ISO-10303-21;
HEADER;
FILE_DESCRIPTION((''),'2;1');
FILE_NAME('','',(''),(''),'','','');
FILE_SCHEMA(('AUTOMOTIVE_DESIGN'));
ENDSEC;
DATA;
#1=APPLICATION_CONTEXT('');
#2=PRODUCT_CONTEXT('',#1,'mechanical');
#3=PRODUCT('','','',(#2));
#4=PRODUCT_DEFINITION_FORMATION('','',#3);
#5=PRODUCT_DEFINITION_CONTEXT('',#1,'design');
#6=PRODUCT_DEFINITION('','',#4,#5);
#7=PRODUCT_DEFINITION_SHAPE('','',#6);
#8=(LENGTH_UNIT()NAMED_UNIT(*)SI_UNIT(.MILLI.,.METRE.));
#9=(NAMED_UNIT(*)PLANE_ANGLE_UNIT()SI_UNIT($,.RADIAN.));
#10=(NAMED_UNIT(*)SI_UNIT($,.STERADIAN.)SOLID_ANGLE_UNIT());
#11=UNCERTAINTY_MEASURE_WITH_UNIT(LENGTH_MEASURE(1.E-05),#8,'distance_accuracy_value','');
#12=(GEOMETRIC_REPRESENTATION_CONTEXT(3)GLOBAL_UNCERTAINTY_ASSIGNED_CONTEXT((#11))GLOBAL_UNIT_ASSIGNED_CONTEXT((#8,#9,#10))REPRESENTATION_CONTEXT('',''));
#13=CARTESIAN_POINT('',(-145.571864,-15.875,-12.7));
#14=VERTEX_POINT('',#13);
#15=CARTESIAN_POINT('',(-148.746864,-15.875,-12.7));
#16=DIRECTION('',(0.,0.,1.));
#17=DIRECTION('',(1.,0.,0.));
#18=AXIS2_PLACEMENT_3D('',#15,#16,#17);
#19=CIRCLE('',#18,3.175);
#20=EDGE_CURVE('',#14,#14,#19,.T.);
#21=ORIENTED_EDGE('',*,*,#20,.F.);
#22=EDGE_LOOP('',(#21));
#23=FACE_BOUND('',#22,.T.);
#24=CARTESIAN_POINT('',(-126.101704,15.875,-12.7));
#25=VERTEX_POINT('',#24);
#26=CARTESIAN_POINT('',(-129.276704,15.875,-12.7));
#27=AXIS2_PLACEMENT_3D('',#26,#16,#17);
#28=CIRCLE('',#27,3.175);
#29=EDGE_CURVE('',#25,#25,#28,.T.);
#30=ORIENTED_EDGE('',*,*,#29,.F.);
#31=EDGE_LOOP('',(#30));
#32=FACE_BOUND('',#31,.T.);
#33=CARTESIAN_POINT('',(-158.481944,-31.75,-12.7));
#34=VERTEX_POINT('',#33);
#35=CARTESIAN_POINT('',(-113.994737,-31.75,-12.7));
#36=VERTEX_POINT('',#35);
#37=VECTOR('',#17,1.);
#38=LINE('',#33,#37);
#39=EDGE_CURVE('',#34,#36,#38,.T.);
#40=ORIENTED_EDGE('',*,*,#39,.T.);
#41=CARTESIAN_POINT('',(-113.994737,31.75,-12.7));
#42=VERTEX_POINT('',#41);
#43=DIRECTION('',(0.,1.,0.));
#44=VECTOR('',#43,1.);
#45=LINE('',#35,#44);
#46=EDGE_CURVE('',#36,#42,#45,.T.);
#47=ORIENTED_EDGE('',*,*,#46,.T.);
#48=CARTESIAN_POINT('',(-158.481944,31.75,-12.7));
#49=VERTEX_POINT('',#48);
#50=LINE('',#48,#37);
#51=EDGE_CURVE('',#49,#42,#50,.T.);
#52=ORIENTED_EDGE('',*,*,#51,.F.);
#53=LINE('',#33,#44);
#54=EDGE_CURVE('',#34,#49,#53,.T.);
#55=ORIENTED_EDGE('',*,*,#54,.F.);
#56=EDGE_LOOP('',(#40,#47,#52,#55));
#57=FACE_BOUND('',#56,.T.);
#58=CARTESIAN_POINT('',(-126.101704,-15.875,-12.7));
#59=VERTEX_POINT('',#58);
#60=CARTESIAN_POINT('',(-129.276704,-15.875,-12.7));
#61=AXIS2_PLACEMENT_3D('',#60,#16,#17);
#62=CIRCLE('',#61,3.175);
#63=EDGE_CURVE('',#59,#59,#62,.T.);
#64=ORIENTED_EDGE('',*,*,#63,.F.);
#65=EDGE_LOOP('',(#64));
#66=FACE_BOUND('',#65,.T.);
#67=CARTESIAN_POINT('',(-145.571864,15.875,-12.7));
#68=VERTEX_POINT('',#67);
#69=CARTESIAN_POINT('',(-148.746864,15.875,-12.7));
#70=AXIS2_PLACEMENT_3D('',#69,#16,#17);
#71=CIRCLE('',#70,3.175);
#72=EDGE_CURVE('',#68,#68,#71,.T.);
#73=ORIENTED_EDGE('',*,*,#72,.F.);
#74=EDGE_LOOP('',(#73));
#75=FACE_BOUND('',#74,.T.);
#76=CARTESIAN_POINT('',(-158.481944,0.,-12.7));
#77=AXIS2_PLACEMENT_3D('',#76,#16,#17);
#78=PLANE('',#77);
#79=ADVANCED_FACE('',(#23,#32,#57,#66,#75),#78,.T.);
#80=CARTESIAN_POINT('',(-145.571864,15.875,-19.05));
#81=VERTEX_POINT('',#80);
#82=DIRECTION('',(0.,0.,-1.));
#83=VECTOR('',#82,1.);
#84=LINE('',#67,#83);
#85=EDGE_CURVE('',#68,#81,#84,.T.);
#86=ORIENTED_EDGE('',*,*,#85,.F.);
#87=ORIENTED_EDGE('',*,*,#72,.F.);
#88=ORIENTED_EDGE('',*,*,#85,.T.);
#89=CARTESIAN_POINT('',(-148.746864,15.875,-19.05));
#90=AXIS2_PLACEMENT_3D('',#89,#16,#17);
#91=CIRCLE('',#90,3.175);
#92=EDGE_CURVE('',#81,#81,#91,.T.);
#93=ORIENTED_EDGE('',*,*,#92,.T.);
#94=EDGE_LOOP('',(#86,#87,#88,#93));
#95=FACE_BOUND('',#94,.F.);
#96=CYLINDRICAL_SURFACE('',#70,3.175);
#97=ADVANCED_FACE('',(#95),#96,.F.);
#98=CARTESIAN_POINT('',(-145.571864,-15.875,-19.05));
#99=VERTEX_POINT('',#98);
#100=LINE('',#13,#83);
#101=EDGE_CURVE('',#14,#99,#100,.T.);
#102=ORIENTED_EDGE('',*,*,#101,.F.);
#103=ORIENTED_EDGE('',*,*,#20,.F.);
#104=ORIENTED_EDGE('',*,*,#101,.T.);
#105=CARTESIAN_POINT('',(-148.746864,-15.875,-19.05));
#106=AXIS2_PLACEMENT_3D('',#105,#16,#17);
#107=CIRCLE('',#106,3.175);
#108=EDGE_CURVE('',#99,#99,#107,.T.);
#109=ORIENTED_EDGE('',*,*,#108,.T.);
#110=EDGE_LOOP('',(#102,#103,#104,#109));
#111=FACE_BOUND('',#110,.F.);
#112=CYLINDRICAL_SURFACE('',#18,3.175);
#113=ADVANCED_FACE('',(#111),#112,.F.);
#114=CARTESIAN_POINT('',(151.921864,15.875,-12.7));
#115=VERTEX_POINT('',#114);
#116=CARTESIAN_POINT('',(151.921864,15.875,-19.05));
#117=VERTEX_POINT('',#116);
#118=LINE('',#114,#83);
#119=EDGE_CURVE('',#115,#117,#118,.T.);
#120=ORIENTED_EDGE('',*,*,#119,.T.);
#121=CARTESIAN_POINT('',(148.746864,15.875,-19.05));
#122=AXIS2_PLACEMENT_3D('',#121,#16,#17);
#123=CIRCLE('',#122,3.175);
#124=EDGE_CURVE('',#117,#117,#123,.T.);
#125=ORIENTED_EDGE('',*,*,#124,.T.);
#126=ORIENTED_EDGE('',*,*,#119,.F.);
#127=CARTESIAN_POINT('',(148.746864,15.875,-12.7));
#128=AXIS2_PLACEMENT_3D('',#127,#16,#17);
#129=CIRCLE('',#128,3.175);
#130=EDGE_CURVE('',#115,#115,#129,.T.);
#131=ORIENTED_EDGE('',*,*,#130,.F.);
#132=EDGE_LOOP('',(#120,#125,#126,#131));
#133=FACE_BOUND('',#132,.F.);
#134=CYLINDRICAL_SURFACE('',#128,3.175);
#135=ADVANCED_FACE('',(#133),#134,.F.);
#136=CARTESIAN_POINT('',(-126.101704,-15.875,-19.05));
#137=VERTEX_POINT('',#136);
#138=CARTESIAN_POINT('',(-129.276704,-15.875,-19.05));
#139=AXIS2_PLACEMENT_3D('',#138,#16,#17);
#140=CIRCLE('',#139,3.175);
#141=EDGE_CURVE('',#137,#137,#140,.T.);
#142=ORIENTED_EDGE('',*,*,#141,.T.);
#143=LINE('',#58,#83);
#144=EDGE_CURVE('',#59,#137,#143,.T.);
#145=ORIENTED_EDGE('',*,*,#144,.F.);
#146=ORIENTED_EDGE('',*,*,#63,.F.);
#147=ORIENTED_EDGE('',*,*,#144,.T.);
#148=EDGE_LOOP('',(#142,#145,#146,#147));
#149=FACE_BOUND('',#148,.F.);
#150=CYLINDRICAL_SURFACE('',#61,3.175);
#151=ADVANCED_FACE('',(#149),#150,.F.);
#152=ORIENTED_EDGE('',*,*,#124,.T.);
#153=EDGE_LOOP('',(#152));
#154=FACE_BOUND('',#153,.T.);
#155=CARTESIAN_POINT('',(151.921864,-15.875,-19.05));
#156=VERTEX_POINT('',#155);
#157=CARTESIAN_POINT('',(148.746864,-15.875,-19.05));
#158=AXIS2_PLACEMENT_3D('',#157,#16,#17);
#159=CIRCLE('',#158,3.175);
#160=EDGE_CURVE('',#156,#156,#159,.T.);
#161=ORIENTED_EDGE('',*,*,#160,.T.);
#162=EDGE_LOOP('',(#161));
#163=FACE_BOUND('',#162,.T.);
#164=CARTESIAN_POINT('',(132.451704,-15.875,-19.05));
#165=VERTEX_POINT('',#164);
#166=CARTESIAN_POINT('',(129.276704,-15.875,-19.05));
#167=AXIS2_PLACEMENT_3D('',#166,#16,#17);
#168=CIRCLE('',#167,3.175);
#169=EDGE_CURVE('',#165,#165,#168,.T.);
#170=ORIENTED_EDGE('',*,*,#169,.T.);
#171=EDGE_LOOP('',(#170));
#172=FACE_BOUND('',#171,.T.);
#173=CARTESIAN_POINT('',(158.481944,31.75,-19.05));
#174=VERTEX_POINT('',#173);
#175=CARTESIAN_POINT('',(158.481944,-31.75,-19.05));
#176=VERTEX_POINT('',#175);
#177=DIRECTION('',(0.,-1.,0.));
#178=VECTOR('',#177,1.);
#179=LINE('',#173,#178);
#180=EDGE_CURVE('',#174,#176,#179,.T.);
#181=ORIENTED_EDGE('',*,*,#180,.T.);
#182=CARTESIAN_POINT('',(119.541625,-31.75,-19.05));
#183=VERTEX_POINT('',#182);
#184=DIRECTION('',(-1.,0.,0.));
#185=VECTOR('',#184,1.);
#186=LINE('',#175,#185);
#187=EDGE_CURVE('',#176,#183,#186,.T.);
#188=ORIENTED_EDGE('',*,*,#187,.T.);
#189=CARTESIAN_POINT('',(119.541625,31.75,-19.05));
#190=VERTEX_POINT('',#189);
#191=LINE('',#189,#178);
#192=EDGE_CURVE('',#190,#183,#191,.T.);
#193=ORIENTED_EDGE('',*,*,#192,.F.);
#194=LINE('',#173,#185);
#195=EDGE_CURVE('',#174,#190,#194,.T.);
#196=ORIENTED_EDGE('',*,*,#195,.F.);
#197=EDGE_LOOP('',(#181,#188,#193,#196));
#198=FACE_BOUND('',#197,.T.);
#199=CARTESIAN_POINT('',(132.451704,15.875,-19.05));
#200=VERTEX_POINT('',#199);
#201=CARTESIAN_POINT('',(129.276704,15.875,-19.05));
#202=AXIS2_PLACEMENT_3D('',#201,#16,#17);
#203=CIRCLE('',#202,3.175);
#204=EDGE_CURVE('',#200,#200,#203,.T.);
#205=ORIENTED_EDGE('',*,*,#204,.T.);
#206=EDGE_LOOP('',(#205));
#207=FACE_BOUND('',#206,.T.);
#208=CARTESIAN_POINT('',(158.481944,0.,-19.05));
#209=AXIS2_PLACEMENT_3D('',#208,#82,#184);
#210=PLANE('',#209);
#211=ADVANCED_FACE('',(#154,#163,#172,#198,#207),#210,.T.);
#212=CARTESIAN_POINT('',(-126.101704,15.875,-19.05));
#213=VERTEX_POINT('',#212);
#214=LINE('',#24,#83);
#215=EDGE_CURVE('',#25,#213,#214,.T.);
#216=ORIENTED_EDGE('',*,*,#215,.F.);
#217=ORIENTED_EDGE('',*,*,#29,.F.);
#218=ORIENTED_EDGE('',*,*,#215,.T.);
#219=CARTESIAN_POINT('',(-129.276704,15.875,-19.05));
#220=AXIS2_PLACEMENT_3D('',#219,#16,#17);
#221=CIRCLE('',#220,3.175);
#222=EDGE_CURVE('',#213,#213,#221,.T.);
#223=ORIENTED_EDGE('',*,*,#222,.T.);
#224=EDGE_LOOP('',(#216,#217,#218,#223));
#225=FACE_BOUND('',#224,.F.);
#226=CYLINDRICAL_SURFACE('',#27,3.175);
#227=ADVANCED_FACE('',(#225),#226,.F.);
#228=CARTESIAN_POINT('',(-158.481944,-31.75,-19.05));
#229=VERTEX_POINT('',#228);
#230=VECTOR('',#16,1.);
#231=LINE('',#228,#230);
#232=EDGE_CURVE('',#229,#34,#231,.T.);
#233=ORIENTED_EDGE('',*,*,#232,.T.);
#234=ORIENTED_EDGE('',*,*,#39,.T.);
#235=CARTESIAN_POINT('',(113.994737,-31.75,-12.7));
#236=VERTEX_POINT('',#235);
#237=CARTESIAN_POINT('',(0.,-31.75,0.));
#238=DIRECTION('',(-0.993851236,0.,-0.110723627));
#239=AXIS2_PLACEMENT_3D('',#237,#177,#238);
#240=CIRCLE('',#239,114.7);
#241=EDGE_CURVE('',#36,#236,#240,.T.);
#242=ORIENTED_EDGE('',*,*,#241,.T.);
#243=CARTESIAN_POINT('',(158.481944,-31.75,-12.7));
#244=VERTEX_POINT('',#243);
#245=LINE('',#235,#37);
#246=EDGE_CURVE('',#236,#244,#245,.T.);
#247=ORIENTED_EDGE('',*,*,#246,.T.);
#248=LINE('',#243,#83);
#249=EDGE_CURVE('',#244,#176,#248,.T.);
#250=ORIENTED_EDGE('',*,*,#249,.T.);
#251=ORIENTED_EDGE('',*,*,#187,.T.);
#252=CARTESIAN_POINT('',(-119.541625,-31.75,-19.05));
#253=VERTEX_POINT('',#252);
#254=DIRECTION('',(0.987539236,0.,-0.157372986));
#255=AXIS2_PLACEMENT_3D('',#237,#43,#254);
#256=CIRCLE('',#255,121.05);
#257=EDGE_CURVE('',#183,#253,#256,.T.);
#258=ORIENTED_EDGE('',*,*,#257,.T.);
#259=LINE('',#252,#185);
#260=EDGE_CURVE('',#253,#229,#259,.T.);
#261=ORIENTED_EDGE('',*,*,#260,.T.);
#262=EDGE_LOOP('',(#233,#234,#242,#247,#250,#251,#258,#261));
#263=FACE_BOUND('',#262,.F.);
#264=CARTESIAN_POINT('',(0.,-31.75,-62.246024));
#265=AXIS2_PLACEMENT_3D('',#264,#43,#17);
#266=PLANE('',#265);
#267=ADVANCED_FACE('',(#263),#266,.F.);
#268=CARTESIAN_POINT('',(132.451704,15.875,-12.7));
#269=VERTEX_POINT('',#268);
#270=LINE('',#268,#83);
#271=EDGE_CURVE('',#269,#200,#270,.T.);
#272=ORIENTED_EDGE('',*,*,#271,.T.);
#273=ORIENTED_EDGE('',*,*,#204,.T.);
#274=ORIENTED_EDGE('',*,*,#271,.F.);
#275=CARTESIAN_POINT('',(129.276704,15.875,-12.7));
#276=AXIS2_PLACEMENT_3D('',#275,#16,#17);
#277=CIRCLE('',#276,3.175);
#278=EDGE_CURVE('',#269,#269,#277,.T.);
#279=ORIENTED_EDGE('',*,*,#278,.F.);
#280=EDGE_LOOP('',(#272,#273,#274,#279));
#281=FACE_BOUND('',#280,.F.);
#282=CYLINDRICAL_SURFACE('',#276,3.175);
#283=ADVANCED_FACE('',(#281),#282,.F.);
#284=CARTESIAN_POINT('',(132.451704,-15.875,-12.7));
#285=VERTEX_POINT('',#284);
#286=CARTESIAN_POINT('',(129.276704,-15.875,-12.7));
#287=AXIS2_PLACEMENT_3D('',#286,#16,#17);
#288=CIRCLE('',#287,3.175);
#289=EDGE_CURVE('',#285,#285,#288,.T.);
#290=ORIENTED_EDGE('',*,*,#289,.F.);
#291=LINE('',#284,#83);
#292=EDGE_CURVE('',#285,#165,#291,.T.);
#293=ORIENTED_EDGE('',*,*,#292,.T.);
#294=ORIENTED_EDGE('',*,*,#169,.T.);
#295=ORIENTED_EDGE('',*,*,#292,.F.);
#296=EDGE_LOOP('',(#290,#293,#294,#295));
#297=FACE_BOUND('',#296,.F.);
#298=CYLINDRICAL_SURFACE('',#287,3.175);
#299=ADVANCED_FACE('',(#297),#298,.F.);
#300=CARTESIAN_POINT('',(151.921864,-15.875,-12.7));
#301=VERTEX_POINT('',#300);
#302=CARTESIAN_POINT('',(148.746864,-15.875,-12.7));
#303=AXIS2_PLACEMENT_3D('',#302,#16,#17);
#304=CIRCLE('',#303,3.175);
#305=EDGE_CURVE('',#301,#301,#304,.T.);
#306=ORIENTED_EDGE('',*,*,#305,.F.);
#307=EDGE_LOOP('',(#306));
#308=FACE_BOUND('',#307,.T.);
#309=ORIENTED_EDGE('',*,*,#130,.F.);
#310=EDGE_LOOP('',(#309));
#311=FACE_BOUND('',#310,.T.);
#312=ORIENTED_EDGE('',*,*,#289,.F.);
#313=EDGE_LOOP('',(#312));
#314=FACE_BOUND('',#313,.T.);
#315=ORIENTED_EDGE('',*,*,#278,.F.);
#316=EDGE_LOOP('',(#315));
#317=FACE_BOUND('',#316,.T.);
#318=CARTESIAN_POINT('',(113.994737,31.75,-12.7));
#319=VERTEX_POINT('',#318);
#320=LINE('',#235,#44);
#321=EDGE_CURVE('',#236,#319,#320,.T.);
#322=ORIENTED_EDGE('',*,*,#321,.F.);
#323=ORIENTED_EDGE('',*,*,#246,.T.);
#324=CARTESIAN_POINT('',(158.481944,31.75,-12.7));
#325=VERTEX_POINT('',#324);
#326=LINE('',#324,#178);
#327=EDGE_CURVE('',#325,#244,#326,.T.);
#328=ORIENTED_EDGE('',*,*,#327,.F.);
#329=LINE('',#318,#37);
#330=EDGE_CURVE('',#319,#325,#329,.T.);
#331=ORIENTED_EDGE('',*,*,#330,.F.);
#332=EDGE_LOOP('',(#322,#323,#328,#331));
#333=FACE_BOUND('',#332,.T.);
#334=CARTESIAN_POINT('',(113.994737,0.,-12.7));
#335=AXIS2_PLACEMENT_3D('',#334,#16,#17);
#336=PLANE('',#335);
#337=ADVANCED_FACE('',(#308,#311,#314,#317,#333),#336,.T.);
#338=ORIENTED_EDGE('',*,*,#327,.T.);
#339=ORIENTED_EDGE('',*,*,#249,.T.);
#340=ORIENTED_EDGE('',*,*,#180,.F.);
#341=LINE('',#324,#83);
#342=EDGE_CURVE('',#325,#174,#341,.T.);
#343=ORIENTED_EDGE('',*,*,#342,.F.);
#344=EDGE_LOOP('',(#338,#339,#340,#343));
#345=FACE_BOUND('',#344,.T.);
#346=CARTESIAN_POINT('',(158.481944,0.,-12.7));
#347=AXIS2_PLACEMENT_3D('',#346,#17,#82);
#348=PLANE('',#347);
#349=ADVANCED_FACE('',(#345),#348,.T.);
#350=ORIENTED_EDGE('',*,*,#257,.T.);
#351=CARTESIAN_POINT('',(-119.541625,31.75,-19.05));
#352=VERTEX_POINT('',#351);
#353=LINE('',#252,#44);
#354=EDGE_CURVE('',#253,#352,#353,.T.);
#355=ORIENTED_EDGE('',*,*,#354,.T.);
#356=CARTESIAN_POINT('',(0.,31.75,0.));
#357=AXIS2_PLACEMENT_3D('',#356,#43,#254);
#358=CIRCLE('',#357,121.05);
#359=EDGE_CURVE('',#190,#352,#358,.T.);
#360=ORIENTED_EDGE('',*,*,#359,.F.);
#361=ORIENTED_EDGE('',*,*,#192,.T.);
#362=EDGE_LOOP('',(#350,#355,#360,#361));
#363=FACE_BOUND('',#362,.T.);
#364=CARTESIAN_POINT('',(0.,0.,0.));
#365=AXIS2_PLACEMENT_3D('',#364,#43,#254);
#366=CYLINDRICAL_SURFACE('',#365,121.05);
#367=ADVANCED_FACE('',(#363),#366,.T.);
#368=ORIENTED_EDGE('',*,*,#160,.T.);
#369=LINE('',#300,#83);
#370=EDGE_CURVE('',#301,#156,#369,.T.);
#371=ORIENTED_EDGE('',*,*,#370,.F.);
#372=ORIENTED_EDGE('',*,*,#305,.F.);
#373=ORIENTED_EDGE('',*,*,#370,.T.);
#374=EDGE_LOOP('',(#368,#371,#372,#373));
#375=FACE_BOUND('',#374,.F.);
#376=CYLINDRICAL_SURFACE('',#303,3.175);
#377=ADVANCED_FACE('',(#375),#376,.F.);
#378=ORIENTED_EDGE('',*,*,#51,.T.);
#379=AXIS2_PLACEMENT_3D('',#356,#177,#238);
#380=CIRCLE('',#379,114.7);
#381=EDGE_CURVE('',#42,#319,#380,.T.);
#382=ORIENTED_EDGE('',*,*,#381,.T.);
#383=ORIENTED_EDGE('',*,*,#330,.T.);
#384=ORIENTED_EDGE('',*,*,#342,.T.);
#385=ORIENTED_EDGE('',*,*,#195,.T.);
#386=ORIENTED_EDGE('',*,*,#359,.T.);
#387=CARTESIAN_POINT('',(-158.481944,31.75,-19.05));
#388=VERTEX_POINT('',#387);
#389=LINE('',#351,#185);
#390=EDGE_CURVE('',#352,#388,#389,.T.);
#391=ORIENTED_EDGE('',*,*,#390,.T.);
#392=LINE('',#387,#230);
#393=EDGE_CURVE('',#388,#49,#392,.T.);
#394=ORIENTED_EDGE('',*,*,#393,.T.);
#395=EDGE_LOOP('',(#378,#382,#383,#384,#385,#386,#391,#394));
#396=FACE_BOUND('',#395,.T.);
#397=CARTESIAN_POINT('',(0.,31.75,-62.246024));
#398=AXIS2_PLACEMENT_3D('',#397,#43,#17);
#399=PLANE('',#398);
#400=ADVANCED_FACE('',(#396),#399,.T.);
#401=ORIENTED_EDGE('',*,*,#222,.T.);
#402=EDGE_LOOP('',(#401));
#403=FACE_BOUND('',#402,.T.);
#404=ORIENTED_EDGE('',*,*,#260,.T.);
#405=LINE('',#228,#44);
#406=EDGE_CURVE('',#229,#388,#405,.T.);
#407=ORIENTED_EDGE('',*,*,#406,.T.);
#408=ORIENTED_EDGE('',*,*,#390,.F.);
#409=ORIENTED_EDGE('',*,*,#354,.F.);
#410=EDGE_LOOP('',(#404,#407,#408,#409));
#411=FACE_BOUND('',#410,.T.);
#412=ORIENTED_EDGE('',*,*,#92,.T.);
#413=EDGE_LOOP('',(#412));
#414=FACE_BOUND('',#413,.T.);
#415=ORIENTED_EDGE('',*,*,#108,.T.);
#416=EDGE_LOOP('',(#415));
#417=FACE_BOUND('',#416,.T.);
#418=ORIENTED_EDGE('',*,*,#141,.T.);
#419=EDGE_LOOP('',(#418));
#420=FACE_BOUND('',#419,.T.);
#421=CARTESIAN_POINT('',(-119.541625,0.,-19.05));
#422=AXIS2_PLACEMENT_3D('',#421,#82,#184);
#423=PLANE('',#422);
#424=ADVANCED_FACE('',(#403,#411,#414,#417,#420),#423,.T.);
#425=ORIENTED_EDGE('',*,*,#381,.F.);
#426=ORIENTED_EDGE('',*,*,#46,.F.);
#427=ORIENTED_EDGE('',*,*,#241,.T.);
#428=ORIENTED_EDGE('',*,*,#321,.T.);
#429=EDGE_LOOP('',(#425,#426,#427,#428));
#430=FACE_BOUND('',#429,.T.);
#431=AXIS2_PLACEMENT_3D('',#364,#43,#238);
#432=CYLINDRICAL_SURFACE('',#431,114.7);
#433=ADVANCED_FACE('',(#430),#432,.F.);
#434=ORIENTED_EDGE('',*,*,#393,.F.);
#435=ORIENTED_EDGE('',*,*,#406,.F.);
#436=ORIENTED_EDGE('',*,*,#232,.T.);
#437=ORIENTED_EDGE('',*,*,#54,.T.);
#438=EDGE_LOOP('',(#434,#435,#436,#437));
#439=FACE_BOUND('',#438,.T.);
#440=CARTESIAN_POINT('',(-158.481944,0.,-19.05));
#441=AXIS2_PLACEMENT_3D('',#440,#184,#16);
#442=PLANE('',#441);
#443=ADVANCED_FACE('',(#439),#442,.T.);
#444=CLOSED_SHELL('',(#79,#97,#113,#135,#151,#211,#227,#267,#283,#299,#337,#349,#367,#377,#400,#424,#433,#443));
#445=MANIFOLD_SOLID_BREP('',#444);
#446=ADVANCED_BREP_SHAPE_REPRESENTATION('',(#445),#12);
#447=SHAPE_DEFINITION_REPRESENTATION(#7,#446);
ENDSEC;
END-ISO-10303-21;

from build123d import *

# Parameters (mm, degrees)
BOSS_EXTRUDE1_DEPTH = 31.75
SKETCH2_R           = 3.175
CUT_EXTRUDE1_DEPTH  = 195.587542385


with BuildPart() as part:
    # Sketch1 → Boss-Extrude1 (new, symmetric)
    with BuildSketch(Plane(origin=(0, 0, 0), x_dir=(1, 0, 0), z_dir=(0, 1, 0))):
        with BuildLine():
            ThreePointArc((119.54162455, 19.05), (0, 121.05), (-119.54162455, 19.05))
            Line((-119.54162455, 19.05), (-158.481944244, 19.05))
            Line((-158.481944244, 19.05), (-158.481944244, 12.7))
            Line((-158.481944244, 12.7), (-120.381944244, 12.7))
            Line((-120.381944244, 12.7), (-113.994736721, 12.7))
            ThreePointArc((-113.994736721, 12.7), (0, 114.7), (113.994736721, 12.7))
            Line((113.994736721, 12.7), (120.381944244, 12.7))
            Line((120.381944244, 12.7), (158.481944244, 12.7))
            Line((158.481944244, 12.7), (158.481944244, 19.05))
            Line((158.481944244, 19.05), (119.54162455, 19.05))
        make_face()
    extrude(amount=BOSS_EXTRUDE1_DEPTH, both=True)

    # Sketch2 → Cut-Extrude1 (cut, through all)
    with BuildSketch(Plane.XY.offset(-12.7)):
        with Locations((-129.276704473, 15.875)):
            Circle(SKETCH2_R)
        with Locations((-148.746864321, 15.875)):
            Circle(SKETCH2_R)
        with Locations((-148.746864321, -15.875)):
            Circle(SKETCH2_R)
        with Locations((-129.276704473, -15.875)):
            Circle(SKETCH2_R)
        with Locations((129.276704473, 15.875)):
            Circle(SKETCH2_R)
        with Locations((148.746864321, 15.875)):
            Circle(SKETCH2_R)
        with Locations((129.276704473, -15.875)):
            Circle(SKETCH2_R)
        with Locations((148.746864321, -15.875)):
            Circle(SKETCH2_R)
    extrude(amount=-CUT_EXTRUDE1_DEPTH, mode=Mode.SUBTRACT)


solid = part.part
